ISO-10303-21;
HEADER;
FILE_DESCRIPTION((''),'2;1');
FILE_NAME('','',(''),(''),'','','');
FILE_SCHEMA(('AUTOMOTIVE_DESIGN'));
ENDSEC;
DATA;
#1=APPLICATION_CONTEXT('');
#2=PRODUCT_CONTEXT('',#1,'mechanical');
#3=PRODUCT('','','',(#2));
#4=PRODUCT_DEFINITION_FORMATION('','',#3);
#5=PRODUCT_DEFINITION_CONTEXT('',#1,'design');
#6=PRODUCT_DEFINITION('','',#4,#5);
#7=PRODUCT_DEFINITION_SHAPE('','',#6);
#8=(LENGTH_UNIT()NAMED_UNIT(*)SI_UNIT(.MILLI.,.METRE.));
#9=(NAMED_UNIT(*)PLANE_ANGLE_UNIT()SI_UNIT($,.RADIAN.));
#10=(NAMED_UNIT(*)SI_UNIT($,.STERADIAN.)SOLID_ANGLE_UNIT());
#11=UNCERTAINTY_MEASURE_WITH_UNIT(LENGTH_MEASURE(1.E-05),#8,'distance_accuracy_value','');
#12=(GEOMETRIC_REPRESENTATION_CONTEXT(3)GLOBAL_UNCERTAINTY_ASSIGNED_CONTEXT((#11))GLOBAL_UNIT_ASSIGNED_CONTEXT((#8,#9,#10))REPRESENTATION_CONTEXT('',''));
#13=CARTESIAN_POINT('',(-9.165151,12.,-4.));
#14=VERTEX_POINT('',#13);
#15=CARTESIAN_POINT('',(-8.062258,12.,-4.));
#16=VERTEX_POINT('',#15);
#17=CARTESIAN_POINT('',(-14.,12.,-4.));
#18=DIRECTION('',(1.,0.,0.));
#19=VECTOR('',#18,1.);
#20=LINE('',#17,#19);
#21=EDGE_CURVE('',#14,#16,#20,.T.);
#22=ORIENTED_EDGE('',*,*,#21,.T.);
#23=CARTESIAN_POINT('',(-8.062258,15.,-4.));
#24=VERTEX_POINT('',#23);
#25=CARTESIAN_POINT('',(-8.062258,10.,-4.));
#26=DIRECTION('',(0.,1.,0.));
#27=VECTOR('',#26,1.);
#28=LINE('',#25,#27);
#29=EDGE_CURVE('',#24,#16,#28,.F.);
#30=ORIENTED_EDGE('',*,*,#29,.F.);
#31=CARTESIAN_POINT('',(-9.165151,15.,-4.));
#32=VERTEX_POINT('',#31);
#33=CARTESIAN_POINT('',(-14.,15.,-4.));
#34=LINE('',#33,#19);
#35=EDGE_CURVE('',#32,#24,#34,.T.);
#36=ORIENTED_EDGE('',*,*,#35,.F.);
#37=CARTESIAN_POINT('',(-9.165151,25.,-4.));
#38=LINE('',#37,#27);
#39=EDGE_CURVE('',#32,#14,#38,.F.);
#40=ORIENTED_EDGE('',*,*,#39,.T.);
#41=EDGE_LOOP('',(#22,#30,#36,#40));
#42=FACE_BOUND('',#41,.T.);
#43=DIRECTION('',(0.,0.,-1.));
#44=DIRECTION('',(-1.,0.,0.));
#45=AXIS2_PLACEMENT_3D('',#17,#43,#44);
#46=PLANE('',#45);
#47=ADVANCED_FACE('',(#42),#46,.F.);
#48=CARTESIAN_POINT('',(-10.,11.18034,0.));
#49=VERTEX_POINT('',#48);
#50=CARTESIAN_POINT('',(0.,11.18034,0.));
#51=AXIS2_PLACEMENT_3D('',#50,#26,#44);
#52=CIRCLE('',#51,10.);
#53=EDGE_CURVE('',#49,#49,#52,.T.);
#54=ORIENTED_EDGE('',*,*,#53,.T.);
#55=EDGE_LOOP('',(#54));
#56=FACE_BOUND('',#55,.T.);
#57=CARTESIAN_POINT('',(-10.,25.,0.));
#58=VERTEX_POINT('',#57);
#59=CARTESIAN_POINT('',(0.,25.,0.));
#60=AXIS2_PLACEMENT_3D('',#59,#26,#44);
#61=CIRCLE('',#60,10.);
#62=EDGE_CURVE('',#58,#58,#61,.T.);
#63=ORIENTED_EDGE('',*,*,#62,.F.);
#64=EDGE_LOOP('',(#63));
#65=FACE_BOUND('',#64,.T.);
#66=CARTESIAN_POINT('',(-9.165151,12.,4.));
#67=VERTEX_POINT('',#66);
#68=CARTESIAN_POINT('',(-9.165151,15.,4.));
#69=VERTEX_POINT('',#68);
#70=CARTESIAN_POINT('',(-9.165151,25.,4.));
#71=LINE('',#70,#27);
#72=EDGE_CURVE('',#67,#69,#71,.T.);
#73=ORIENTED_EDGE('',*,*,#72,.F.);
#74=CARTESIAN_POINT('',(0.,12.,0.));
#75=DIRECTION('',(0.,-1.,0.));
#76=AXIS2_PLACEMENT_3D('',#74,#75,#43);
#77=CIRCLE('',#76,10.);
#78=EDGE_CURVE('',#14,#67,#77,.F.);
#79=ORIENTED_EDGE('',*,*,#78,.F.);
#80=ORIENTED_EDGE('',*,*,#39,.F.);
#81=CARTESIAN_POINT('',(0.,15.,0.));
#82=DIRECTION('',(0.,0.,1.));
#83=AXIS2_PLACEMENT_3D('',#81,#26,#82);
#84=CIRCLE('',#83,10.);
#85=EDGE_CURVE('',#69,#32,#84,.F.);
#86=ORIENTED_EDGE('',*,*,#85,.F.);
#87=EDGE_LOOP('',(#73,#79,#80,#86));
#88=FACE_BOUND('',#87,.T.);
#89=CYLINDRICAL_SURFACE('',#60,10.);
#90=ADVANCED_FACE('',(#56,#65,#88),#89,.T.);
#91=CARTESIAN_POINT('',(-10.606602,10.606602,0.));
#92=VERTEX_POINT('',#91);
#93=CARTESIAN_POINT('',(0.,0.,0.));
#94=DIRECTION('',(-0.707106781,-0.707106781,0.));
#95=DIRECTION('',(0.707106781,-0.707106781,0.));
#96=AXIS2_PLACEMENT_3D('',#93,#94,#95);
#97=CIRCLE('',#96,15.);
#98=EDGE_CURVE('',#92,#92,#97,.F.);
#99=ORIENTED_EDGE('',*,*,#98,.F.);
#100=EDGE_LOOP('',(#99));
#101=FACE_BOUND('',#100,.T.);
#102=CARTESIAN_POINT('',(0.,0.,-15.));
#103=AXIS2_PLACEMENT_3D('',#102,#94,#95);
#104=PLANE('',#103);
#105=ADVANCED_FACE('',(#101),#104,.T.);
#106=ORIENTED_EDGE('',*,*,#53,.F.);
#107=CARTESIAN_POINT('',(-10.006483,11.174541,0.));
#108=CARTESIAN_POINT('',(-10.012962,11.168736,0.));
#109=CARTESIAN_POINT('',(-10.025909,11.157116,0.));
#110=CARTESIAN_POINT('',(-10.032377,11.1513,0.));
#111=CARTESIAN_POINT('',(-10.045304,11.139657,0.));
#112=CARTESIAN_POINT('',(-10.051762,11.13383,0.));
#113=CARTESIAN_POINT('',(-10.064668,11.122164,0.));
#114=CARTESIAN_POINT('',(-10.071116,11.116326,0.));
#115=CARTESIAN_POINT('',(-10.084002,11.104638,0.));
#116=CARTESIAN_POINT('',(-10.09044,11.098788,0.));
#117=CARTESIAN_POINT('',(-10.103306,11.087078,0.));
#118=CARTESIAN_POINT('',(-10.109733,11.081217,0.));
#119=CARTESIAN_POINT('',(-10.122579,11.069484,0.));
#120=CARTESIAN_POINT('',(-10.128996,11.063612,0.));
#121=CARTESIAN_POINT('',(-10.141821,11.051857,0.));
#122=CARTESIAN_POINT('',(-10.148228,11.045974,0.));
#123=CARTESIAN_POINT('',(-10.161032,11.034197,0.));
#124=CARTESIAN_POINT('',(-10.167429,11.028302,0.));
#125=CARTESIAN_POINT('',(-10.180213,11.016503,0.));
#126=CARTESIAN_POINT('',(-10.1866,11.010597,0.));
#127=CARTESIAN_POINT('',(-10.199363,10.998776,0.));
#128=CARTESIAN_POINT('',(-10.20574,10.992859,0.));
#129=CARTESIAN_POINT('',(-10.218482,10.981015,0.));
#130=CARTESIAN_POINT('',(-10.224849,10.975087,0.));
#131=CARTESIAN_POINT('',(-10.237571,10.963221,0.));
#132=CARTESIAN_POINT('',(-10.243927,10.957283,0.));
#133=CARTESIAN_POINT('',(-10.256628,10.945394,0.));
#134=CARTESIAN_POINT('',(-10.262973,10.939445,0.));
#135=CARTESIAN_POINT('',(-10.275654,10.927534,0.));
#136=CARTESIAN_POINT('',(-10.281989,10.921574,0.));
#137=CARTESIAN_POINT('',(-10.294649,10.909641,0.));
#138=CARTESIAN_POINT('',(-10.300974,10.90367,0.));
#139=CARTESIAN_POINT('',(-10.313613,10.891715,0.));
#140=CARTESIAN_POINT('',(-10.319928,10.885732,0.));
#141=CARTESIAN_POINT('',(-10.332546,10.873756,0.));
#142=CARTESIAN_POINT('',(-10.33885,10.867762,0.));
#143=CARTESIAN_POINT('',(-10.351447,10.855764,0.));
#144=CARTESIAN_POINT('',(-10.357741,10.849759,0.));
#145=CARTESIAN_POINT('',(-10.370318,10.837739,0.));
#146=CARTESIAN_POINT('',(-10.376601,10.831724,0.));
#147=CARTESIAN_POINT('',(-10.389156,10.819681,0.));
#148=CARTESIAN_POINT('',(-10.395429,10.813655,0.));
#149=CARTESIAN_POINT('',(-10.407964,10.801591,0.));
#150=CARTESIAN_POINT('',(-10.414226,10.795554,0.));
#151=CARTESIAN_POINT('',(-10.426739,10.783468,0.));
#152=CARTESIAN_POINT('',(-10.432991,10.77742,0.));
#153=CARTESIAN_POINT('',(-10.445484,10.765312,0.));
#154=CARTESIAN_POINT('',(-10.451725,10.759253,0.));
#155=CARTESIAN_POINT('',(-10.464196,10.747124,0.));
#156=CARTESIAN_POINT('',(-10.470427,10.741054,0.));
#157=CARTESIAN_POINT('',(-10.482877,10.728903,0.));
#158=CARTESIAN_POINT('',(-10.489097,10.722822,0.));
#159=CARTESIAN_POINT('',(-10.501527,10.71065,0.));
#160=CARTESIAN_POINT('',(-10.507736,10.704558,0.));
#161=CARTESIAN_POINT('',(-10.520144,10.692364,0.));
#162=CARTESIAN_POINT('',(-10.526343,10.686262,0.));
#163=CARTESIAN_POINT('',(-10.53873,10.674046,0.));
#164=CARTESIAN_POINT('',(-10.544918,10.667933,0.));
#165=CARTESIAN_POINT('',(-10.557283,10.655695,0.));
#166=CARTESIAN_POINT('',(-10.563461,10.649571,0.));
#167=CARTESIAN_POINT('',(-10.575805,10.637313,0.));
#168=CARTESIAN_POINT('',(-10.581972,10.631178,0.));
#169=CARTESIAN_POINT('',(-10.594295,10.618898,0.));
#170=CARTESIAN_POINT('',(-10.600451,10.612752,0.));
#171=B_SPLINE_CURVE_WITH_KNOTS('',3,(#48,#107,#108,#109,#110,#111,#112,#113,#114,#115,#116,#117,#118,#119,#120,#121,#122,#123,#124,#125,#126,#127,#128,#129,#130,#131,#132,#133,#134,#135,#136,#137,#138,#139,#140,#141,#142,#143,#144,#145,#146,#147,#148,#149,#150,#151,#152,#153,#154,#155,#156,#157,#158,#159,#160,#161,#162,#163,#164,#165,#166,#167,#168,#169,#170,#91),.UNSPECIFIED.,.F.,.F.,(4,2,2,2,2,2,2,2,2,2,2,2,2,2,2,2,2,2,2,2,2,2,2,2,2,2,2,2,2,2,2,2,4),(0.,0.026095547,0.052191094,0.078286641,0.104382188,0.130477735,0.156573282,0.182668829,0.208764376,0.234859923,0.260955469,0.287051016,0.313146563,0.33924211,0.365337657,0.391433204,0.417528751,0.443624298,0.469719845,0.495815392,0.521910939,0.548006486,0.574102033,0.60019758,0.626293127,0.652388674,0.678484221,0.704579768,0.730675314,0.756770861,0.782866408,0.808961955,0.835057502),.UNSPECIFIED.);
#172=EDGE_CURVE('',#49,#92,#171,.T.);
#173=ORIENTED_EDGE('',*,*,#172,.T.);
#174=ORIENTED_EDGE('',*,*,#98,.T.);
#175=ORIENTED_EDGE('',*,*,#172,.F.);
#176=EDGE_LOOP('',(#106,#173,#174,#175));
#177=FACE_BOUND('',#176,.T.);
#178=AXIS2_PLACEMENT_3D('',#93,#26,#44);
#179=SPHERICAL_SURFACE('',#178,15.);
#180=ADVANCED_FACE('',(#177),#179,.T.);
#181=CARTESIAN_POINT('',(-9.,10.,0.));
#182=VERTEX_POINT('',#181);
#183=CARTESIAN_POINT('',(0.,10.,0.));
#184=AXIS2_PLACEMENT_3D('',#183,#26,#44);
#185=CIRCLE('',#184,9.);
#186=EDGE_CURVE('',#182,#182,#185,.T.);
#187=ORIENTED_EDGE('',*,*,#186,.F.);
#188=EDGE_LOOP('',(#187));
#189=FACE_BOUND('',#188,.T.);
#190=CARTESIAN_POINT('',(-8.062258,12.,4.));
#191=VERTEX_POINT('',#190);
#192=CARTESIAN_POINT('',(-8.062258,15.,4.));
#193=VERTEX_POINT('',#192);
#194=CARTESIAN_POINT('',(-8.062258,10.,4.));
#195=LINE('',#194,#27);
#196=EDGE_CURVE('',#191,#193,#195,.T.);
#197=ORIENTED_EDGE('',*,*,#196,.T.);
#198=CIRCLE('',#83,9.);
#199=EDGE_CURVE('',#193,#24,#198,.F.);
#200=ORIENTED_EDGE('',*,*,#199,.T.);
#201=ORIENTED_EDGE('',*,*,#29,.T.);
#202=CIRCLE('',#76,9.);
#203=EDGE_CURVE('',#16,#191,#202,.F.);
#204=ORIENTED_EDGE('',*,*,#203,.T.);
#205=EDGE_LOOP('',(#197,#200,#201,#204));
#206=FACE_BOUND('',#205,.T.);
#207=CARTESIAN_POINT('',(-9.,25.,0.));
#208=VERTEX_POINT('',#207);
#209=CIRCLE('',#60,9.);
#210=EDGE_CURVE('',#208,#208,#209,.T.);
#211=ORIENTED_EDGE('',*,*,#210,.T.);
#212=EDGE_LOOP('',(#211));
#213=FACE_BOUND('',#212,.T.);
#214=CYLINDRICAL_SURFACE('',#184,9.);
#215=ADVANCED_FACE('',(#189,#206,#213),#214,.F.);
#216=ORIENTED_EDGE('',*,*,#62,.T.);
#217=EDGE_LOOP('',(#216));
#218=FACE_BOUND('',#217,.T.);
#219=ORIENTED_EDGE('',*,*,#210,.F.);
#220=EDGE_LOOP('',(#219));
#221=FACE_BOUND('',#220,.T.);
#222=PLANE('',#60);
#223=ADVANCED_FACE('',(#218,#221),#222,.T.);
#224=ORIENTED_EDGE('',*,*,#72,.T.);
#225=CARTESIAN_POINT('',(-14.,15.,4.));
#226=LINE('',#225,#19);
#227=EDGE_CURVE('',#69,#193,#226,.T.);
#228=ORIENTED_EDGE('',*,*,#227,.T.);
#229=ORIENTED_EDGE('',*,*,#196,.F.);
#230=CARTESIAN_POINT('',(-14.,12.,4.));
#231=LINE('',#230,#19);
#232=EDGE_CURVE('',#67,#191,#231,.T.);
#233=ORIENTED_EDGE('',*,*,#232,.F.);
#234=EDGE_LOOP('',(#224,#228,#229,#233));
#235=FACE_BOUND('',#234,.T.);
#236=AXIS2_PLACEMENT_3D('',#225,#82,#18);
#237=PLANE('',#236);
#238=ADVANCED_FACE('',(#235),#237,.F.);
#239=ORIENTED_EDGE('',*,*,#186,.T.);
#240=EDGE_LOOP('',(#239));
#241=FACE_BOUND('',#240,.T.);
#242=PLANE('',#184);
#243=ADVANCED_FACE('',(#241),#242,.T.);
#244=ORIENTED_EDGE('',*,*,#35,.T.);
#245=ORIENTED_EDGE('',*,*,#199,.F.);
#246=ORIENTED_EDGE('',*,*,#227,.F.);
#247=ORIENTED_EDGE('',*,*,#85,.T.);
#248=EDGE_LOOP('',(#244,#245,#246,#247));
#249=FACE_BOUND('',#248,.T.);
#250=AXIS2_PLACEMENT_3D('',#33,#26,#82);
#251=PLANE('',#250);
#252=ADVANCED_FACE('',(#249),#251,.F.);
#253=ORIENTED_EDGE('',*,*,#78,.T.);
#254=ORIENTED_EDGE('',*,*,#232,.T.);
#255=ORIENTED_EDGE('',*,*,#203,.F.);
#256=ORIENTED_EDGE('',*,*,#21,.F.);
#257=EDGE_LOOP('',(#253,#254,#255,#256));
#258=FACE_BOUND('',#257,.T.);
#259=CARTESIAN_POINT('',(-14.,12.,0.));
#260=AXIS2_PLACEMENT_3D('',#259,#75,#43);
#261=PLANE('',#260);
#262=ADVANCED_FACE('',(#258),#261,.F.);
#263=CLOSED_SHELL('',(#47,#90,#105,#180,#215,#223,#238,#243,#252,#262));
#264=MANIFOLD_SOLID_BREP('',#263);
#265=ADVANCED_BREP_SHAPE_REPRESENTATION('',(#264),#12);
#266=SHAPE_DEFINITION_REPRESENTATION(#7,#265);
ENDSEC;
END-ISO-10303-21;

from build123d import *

# Parameters (mm, degrees)
CUT_EXTRUDE_1_DEPTH      = 33.787192622
CUT_EXTRUDE_1_DEPTH_BACK = 33.787192622
SKETCH_5_R               = 9
CUT_EXTRUDE_2_DEPTH      = 15
CUT_EXTRUDE_3_DEPTH      = 14


with BuildPart() as part:
    # 草图1 → 旋转2 (revolve)
    with BuildSketch(Plane.XY):
        with BuildLine():
            Line((-10, 25), (-10, 11.180339887))
            ThreePointArc((-10, 11.180339887), (-14.012585384, -5.352331347), (0, -15))
            Line((0, -15), (0, 25))
            Line((0, 25), (-10, 25))
        make_face()
    revolve(axis=Axis((0, 25, 0), (0, -1, 0)))

    # 草图4 → 切除-拉伸1 (cut, two sides: drawn at the far end of the back side and taken through both)
    with BuildSketch(Plane.XY.offset(-CUT_EXTRUDE_1_DEPTH_BACK)):
        with BuildLine():
            ThreePointArc((10.606601718, -10.606601718), (-10.606601718, -10.606601718), (-10.606601718, 10.606601718))
            Line((-10.606601718, 10.606601718), (0, 0))
            Line((0, 0), (10.606601718, -10.606601718))
        make_face()
    extrude(amount=CUT_EXTRUDE_1_DEPTH + CUT_EXTRUDE_1_DEPTH_BACK, mode=Mode.SUBTRACT)

    # 草图5 → 切除-拉伸2 (cut)
    with BuildSketch(Plane(origin=(0, 25, 0), x_dir=(1, 0, 0), z_dir=(0, 1, 0))):
        with Locations(Location((0, 0, 0), (0, 0, 180))):
            Circle(SKETCH_5_R)
    extrude(amount=-CUT_EXTRUDE_2_DEPTH, mode=Mode.SUBTRACT)

    # 草图6 → 切除-拉伸3 (cut)
    with BuildSketch(Plane(origin=(0, 0, 0), x_dir=(0, 0, -1), z_dir=(1, 0, 0))):
        Polygon((0, 12), (4, 12), (4, 15), (-4, 15), (-4, 12), align=None)
    extrude(amount=-CUT_EXTRUDE_3_DEPTH, mode=Mode.SUBTRACT)


solid = part.part
